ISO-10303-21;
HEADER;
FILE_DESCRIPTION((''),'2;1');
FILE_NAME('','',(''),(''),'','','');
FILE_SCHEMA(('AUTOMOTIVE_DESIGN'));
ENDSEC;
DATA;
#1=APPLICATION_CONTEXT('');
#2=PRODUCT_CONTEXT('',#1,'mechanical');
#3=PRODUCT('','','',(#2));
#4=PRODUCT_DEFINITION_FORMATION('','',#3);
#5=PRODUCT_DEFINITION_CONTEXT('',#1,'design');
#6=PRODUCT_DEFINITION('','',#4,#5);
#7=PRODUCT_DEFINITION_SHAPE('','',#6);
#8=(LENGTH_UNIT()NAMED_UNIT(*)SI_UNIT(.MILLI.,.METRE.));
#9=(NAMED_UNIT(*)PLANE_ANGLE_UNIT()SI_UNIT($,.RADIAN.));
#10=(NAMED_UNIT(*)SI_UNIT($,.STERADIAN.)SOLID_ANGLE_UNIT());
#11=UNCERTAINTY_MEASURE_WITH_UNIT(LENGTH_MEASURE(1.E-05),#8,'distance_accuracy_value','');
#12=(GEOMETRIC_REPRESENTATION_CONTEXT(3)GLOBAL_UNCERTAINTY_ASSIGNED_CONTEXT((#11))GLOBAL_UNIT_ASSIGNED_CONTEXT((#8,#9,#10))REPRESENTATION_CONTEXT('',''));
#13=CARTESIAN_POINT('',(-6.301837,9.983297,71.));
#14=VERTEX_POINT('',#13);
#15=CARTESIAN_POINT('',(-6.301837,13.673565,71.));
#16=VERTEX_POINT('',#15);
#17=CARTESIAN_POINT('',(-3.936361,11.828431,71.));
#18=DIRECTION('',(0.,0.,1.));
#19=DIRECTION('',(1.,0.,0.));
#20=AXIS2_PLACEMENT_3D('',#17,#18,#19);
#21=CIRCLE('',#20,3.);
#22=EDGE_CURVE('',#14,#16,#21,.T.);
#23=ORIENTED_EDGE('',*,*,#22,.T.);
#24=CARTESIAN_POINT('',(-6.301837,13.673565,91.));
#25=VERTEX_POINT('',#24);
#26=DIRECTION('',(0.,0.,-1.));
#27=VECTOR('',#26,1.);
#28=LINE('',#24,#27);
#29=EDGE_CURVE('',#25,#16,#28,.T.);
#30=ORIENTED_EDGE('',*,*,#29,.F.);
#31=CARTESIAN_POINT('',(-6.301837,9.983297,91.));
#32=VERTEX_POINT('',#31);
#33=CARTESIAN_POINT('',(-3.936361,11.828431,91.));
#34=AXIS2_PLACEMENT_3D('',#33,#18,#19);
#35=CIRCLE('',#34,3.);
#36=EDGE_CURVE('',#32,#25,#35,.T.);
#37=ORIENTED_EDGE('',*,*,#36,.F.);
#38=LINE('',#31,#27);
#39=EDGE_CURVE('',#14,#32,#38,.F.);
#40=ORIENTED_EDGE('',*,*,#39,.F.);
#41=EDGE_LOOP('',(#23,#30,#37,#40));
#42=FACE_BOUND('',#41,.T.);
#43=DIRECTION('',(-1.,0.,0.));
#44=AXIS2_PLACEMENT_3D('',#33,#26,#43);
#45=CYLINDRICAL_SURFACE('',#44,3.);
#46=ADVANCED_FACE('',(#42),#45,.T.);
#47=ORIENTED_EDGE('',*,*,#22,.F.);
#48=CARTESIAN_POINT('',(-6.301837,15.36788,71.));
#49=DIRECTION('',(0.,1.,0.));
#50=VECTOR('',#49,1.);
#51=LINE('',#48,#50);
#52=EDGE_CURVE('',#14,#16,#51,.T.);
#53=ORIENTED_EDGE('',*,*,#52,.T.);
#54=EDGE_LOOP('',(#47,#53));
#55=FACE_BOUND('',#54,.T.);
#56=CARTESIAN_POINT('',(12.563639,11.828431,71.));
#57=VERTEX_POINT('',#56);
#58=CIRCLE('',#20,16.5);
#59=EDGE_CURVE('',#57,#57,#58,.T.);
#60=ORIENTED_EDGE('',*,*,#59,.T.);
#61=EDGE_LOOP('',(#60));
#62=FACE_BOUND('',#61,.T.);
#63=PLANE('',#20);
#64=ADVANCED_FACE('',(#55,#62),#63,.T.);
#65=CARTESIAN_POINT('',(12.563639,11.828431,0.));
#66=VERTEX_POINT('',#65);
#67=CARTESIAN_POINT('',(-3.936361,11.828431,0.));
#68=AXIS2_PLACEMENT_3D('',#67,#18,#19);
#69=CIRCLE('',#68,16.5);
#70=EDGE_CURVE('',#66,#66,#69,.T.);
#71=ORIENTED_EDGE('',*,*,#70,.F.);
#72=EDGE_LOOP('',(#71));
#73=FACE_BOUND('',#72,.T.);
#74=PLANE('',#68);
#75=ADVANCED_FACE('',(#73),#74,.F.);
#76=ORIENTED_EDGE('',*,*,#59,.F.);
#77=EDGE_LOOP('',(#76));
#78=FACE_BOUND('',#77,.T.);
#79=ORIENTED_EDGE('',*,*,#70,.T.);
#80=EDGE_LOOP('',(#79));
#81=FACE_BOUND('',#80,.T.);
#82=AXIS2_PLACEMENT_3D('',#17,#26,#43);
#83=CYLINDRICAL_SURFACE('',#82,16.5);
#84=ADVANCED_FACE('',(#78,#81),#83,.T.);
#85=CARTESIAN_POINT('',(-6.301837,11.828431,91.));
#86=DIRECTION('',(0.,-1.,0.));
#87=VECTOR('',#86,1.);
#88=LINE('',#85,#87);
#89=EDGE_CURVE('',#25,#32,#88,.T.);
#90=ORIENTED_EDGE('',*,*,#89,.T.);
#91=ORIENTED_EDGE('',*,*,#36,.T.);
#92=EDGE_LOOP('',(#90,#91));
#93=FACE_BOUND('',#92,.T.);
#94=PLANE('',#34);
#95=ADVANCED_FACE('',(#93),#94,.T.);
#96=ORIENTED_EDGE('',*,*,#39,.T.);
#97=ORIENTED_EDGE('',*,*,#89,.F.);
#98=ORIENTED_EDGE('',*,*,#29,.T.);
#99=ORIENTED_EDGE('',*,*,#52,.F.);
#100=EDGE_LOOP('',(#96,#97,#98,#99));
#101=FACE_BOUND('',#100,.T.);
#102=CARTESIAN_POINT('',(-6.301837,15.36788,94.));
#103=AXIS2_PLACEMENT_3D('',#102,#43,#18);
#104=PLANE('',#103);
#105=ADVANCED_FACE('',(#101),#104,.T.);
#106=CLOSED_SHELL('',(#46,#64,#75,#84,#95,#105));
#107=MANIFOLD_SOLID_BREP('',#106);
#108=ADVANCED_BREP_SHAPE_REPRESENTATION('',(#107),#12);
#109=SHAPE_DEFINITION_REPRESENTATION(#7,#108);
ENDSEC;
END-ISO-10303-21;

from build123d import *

# Parameters (mm, degrees)
ESQUISSE1_R             = 16.5
BOSS_EXTRU_1_DEPTH      = 71
ESQUISSE2_R             = 3
BOSS_EXTRU_2_DEPTH      = 20
ESQUISSE3_W             = 2.683906319
ESQUISSE3_H             = 8.065697874
ENL_V_MAT_EXTRU_1_DEPTH = 23


with BuildPart() as part:
    # Esquisse1 → Boss.-Extru.1 (new body)
    with BuildSketch(Plane.XY):
        with Locations((-3.936360625, 11.828431373)):
            Circle(ESQUISSE1_R)
    extrude(amount=BOSS_EXTRU_1_DEPTH)

    # Esquisse2 → Boss.-Extru.2 (add)
    with BuildSketch(Plane.XY.offset(71)):
        with Locations((-3.936360625, 11.828431373)):
            Circle(ESQUISSE2_R)
    extrude(amount=BOSS_EXTRU_2_DEPTH)

    # Esquisse3 → Enlèv. mat.-Extru.1 (cut)
    with BuildSketch(Plane.XY.offset(71)):
        with Locations((-7.643790541, 11.335031517)):
            Rectangle(ESQUISSE3_W, ESQUISSE3_H)
    extrude(amount=ENL_V_MAT_EXTRU_1_DEPTH, mode=Mode.SUBTRACT)


solid = part.part
